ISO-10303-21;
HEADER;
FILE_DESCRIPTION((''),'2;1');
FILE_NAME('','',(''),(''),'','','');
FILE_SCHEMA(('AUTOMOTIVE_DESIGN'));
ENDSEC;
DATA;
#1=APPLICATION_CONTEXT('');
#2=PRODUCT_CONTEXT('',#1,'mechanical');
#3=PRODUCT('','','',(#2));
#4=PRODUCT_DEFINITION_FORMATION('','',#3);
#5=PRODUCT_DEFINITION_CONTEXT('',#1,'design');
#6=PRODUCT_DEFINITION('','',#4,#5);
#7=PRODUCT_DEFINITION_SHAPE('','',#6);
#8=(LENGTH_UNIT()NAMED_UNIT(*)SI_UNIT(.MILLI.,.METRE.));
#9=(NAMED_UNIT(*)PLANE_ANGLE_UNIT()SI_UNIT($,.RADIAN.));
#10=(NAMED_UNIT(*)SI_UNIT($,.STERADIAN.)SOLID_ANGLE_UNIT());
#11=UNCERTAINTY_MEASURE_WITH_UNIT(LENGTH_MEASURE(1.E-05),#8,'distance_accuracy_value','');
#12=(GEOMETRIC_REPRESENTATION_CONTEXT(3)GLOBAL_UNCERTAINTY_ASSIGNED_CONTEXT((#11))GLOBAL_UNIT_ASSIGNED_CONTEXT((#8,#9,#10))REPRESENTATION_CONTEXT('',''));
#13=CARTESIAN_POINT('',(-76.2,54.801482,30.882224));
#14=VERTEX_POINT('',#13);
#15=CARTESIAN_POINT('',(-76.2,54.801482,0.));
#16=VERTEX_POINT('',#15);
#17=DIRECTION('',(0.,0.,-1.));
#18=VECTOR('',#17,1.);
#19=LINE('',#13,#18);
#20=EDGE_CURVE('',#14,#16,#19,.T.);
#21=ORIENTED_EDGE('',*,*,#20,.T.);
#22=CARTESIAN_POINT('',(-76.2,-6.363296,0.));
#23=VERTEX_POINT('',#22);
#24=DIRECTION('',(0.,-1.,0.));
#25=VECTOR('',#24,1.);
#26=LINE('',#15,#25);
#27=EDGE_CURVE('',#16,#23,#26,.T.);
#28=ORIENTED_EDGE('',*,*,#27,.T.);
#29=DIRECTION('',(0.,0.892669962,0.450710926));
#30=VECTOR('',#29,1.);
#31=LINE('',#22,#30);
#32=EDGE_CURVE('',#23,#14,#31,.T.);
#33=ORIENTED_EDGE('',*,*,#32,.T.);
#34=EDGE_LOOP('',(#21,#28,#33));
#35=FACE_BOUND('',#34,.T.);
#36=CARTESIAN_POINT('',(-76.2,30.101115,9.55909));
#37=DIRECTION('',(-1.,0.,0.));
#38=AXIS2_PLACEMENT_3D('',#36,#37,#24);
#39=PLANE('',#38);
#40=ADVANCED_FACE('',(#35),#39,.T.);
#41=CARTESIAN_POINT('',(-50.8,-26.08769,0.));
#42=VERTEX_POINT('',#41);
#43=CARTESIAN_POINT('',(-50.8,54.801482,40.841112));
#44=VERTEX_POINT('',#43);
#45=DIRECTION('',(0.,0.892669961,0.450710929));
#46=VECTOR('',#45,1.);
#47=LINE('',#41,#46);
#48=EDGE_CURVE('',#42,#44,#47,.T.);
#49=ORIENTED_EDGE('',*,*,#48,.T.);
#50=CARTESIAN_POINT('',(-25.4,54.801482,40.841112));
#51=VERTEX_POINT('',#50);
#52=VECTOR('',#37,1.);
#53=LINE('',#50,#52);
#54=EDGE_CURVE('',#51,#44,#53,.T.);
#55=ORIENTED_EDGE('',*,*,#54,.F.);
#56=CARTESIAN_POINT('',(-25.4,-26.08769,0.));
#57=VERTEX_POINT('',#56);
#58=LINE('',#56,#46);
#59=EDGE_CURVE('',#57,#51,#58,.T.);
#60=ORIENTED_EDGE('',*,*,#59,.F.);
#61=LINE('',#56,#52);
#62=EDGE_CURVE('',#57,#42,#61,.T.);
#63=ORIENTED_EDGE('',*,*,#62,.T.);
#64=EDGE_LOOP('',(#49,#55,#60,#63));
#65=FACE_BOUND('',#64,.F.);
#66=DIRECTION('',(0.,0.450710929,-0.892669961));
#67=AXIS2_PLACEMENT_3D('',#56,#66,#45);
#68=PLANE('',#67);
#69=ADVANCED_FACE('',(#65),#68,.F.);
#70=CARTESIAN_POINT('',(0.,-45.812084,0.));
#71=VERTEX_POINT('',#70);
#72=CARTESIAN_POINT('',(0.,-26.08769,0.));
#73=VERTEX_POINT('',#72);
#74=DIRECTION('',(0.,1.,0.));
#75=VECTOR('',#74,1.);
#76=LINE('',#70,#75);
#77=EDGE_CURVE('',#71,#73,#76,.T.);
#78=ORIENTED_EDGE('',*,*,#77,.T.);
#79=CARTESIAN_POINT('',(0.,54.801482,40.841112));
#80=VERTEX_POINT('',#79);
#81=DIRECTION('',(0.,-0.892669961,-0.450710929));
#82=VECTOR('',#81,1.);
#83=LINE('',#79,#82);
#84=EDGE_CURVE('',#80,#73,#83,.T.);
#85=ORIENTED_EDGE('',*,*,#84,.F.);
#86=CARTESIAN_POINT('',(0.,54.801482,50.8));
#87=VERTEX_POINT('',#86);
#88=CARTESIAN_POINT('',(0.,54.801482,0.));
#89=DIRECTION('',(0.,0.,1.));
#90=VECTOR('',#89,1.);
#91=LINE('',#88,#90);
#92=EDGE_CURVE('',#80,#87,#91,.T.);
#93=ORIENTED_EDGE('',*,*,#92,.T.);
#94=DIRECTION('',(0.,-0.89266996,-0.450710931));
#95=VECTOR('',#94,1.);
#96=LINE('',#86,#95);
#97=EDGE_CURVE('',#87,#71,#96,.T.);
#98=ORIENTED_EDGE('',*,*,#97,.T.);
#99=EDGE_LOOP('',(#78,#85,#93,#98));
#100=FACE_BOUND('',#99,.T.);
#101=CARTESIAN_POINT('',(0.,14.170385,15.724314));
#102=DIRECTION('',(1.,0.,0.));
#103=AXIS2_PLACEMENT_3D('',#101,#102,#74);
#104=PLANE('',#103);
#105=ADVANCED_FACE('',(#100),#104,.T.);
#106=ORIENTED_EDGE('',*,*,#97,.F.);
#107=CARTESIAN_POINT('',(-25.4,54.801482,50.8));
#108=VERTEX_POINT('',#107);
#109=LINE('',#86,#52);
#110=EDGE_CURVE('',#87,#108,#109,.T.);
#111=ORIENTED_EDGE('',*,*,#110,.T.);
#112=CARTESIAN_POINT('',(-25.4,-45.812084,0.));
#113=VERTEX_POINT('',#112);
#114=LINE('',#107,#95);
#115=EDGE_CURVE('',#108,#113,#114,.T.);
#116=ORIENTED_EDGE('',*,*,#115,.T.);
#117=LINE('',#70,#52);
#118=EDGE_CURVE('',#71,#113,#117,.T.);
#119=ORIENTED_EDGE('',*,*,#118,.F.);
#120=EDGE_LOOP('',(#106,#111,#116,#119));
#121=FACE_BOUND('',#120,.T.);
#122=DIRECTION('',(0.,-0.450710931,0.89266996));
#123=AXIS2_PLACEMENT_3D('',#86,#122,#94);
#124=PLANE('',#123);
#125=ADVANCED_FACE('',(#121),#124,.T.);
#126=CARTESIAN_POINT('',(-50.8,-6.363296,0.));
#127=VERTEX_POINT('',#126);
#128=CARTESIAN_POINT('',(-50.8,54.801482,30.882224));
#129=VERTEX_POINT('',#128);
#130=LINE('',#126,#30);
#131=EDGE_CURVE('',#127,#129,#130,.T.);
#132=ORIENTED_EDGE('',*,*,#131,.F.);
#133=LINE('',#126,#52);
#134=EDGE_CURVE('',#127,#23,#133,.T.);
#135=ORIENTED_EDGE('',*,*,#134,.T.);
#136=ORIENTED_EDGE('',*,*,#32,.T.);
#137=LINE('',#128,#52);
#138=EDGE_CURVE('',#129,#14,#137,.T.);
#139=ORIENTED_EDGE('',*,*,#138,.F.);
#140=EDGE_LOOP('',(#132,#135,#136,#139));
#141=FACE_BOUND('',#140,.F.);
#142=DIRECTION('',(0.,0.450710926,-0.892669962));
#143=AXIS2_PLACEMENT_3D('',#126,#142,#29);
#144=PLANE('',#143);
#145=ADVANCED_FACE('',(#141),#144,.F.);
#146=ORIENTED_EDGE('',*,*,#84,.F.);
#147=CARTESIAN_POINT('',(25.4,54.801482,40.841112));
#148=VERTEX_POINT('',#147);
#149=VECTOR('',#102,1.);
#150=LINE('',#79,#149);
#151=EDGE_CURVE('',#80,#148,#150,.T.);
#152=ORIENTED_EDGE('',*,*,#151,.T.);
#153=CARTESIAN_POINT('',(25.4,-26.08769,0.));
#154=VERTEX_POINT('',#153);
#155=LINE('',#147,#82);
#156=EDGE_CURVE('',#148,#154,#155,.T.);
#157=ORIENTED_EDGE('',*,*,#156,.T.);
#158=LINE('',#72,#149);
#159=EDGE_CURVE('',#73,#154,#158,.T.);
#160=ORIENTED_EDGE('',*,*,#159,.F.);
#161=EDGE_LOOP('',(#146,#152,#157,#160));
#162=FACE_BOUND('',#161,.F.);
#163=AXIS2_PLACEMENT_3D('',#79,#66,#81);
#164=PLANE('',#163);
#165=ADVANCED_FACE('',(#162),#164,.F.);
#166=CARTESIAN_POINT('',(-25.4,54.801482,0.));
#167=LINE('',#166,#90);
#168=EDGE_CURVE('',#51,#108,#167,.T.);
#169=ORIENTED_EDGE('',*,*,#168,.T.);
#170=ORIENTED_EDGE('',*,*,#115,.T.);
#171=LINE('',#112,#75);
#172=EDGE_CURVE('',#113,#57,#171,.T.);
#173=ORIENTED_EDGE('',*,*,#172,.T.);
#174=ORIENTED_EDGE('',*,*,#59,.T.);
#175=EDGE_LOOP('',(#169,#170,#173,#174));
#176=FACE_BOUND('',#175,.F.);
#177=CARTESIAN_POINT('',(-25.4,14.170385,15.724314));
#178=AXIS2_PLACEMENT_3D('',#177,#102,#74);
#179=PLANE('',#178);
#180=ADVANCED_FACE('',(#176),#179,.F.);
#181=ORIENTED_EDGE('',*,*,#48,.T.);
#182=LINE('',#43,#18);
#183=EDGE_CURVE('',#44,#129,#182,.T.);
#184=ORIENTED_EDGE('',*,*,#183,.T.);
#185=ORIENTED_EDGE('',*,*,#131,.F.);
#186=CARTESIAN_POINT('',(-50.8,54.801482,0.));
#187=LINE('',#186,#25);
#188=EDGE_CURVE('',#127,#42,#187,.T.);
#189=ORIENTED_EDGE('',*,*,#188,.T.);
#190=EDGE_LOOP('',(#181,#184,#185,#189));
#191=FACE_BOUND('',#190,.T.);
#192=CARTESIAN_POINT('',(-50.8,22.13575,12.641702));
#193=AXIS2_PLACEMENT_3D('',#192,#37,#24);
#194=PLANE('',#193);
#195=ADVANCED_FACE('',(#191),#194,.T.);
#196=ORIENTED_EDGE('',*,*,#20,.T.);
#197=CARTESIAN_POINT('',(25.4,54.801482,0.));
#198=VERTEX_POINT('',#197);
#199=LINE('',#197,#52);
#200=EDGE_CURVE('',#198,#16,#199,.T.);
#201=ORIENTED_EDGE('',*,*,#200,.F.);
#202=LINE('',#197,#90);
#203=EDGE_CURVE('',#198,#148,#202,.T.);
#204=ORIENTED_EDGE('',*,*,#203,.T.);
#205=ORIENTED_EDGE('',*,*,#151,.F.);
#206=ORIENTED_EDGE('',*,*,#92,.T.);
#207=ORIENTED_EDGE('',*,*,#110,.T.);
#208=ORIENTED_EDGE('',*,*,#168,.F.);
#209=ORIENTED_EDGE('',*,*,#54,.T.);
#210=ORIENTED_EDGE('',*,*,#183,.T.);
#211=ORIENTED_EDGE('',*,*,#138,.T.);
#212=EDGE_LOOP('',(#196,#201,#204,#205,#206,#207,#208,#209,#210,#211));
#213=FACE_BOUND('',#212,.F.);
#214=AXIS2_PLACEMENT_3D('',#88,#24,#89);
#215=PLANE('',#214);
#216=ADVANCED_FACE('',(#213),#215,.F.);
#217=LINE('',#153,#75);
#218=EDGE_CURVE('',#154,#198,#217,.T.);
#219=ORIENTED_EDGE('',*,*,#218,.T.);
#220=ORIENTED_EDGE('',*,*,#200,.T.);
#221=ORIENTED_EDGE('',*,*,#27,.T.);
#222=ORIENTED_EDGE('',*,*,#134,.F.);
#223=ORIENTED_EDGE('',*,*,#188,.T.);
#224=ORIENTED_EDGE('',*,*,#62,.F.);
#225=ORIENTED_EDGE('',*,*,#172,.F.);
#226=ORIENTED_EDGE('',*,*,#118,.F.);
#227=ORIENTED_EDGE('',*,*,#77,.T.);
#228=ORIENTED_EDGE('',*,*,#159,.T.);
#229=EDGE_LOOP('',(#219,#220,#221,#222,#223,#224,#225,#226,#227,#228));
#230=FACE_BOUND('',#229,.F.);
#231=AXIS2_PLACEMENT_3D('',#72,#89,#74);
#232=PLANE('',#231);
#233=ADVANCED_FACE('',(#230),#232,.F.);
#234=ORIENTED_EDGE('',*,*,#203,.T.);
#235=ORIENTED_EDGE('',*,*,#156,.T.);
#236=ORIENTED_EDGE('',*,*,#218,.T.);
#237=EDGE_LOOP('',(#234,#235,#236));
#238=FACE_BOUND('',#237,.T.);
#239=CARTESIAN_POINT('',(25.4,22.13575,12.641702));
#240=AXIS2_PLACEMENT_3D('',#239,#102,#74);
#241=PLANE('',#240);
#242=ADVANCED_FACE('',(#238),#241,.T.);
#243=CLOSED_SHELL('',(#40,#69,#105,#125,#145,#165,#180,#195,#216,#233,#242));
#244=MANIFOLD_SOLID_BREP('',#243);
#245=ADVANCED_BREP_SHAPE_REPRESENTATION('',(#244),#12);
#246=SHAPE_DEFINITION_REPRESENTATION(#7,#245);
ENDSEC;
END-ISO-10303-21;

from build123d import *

# Parameters (mm, degrees)
F1_DEPTH = 25.4
F3_DEPTH = 25.4
F5_DEPTH = 25.4
F7_DEPTH = 25.4


with BuildPart() as f1:
    # F0 (on Right) → F1 (new body)
    with BuildSketch(Plane.YZ):
        Polygon((54.801482, 50.8), (-45.812084, 0), (30.387916, 0), (54.801482, 0), (54.801482, 7.009836), align=None)
    extrude(amount=-F1_DEPTH)

    # F2 (on face) → F3 (join)
    with BuildSketch(Plane(origin=(-25.4, 0, 0), x_dir=(0, -1, 0), z_dir=(-1, 0, 0))):
        Polygon((-54.801482, 40.841112), (-54.801482, 0), (26.08769, 0), align=None)
    extrude(amount=F3_DEPTH)

    # F4 (on face) → F5 (join)
    with BuildSketch(Plane(origin=(-50.8, 0, 0), x_dir=(0, -1, 0), z_dir=(-1, 0, 0))):
        Polygon((-54.801482, 0), (-34.971387, 0), (6.363296, 0), (-54.801482, 30.882224), align=None)
    extrude(amount=F5_DEPTH)

    # F6 (on face) → F7 (join)
    with BuildSketch(Plane.YZ):
        Polygon((54.801482, 40.841112), (-26.08769, 0), (23.767022, 0), (54.801482, 0), (54.801482, 10.363963), align=None)
    extrude(amount=F7_DEPTH)


solid = f1.part
